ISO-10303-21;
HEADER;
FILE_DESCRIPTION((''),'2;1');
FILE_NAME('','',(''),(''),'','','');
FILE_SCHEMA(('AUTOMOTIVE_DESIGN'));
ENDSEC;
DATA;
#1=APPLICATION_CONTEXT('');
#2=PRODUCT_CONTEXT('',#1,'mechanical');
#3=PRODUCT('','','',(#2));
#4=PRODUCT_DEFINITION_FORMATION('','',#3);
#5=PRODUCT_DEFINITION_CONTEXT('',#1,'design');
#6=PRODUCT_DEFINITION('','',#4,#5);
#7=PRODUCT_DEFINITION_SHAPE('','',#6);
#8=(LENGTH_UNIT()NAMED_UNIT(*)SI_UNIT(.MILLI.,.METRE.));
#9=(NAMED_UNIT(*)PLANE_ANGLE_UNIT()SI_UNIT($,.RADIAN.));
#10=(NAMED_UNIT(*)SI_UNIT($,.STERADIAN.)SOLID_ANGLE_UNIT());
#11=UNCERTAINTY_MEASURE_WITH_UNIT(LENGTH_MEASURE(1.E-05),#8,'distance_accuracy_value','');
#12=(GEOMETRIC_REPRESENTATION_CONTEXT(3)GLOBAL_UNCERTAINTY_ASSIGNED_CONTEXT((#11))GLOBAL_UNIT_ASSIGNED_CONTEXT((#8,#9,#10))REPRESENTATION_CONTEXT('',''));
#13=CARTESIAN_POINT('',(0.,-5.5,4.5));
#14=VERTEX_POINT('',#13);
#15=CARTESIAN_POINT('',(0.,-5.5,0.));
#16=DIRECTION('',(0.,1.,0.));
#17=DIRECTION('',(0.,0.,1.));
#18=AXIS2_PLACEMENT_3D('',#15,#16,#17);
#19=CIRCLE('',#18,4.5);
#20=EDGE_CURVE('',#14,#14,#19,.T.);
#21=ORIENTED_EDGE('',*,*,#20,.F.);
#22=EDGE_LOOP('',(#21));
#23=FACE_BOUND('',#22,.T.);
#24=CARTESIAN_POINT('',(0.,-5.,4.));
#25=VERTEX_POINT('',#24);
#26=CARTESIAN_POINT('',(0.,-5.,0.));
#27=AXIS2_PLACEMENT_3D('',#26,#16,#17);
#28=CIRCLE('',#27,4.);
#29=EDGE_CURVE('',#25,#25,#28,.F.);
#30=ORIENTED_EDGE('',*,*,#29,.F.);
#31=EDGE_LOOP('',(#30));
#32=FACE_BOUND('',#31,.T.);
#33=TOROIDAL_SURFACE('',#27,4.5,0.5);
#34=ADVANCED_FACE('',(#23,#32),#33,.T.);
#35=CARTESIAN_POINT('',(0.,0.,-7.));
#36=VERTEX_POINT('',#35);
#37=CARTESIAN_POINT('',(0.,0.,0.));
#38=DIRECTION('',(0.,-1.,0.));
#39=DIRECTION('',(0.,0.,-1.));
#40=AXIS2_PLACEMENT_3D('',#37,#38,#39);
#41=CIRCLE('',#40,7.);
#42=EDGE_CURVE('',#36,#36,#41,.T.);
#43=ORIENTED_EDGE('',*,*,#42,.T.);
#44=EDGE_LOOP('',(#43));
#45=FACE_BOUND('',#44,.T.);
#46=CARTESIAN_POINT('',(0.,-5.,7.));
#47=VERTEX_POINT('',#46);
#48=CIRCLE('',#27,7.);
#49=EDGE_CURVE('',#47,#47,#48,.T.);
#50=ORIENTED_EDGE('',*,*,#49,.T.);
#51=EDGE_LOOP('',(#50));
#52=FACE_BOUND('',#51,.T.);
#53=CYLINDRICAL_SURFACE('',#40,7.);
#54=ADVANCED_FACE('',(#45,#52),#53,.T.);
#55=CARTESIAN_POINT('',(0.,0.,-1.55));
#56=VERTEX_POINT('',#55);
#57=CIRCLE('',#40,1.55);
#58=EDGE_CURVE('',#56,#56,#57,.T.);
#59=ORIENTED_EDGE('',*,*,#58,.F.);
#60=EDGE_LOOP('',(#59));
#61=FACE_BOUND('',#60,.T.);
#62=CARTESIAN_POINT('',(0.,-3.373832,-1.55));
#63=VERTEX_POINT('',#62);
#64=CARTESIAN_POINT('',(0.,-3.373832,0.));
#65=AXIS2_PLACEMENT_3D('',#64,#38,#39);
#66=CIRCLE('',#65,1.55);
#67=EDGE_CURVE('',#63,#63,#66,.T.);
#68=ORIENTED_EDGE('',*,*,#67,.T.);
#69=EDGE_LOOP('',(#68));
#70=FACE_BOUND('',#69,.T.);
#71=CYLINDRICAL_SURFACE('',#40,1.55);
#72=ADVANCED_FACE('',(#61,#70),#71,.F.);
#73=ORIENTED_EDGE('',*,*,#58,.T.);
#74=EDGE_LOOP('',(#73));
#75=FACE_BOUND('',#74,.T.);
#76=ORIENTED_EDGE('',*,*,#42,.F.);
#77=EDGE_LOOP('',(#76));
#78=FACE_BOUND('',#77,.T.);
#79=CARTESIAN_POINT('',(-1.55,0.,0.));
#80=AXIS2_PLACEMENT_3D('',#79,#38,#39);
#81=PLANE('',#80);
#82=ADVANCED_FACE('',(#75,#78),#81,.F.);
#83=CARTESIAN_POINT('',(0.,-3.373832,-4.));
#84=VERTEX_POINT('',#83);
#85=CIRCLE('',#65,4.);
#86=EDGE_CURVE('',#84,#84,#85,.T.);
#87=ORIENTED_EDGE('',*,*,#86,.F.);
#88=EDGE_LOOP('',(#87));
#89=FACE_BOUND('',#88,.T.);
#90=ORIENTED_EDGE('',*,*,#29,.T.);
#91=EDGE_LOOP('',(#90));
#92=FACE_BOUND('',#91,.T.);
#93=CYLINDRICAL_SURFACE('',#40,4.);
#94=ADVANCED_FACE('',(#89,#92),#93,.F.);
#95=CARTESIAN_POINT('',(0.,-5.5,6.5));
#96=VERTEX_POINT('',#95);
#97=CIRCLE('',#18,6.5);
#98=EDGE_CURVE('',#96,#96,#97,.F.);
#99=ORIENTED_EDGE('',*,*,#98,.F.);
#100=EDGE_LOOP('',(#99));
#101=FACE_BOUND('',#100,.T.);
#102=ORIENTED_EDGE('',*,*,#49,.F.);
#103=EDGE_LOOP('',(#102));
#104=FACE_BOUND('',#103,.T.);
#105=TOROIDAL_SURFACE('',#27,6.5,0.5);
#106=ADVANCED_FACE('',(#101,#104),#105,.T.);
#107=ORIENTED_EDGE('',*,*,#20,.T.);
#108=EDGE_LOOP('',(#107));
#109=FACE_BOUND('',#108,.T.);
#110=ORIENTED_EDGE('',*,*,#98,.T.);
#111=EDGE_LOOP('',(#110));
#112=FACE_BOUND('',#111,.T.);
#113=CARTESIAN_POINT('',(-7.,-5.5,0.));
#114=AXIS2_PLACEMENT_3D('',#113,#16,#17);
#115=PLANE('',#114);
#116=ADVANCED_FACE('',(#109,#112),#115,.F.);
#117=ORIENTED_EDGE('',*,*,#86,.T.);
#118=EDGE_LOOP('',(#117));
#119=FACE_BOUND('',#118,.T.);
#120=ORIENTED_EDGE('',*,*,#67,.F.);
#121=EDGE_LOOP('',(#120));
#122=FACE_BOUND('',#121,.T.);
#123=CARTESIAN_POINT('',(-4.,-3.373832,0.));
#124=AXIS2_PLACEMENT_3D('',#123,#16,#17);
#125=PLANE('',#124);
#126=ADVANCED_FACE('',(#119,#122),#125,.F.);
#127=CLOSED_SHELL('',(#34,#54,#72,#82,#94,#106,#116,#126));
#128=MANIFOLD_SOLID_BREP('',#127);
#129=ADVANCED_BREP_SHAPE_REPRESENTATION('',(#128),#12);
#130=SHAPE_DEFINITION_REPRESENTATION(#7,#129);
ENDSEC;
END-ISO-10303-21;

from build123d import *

# Parameters (mm, degrees)
FILLET1_R = 0.5


with BuildPart() as part:
    # Sketch1 → Revolve1 (revolve)
    with BuildSketch(Plane.XY):
        Polygon((-1.55, 0), (-7, 0), (-7, -5.5), (-4, -5.5), (-4, -3.373831776), (-1.55, -3.373831776), align=None)
    revolve(axis=Axis((0, 0, 0), (0, 1, 0)))

    # Fillet1
    fillet1_edges = [part.edges().sort_by_distance(p)[0] for p in [
        (4, -5.5, 0),
        (7, -5.5, 0),
    ]]
    fillet(fillet1_edges, radius=FILLET1_R)


solid = part.part
